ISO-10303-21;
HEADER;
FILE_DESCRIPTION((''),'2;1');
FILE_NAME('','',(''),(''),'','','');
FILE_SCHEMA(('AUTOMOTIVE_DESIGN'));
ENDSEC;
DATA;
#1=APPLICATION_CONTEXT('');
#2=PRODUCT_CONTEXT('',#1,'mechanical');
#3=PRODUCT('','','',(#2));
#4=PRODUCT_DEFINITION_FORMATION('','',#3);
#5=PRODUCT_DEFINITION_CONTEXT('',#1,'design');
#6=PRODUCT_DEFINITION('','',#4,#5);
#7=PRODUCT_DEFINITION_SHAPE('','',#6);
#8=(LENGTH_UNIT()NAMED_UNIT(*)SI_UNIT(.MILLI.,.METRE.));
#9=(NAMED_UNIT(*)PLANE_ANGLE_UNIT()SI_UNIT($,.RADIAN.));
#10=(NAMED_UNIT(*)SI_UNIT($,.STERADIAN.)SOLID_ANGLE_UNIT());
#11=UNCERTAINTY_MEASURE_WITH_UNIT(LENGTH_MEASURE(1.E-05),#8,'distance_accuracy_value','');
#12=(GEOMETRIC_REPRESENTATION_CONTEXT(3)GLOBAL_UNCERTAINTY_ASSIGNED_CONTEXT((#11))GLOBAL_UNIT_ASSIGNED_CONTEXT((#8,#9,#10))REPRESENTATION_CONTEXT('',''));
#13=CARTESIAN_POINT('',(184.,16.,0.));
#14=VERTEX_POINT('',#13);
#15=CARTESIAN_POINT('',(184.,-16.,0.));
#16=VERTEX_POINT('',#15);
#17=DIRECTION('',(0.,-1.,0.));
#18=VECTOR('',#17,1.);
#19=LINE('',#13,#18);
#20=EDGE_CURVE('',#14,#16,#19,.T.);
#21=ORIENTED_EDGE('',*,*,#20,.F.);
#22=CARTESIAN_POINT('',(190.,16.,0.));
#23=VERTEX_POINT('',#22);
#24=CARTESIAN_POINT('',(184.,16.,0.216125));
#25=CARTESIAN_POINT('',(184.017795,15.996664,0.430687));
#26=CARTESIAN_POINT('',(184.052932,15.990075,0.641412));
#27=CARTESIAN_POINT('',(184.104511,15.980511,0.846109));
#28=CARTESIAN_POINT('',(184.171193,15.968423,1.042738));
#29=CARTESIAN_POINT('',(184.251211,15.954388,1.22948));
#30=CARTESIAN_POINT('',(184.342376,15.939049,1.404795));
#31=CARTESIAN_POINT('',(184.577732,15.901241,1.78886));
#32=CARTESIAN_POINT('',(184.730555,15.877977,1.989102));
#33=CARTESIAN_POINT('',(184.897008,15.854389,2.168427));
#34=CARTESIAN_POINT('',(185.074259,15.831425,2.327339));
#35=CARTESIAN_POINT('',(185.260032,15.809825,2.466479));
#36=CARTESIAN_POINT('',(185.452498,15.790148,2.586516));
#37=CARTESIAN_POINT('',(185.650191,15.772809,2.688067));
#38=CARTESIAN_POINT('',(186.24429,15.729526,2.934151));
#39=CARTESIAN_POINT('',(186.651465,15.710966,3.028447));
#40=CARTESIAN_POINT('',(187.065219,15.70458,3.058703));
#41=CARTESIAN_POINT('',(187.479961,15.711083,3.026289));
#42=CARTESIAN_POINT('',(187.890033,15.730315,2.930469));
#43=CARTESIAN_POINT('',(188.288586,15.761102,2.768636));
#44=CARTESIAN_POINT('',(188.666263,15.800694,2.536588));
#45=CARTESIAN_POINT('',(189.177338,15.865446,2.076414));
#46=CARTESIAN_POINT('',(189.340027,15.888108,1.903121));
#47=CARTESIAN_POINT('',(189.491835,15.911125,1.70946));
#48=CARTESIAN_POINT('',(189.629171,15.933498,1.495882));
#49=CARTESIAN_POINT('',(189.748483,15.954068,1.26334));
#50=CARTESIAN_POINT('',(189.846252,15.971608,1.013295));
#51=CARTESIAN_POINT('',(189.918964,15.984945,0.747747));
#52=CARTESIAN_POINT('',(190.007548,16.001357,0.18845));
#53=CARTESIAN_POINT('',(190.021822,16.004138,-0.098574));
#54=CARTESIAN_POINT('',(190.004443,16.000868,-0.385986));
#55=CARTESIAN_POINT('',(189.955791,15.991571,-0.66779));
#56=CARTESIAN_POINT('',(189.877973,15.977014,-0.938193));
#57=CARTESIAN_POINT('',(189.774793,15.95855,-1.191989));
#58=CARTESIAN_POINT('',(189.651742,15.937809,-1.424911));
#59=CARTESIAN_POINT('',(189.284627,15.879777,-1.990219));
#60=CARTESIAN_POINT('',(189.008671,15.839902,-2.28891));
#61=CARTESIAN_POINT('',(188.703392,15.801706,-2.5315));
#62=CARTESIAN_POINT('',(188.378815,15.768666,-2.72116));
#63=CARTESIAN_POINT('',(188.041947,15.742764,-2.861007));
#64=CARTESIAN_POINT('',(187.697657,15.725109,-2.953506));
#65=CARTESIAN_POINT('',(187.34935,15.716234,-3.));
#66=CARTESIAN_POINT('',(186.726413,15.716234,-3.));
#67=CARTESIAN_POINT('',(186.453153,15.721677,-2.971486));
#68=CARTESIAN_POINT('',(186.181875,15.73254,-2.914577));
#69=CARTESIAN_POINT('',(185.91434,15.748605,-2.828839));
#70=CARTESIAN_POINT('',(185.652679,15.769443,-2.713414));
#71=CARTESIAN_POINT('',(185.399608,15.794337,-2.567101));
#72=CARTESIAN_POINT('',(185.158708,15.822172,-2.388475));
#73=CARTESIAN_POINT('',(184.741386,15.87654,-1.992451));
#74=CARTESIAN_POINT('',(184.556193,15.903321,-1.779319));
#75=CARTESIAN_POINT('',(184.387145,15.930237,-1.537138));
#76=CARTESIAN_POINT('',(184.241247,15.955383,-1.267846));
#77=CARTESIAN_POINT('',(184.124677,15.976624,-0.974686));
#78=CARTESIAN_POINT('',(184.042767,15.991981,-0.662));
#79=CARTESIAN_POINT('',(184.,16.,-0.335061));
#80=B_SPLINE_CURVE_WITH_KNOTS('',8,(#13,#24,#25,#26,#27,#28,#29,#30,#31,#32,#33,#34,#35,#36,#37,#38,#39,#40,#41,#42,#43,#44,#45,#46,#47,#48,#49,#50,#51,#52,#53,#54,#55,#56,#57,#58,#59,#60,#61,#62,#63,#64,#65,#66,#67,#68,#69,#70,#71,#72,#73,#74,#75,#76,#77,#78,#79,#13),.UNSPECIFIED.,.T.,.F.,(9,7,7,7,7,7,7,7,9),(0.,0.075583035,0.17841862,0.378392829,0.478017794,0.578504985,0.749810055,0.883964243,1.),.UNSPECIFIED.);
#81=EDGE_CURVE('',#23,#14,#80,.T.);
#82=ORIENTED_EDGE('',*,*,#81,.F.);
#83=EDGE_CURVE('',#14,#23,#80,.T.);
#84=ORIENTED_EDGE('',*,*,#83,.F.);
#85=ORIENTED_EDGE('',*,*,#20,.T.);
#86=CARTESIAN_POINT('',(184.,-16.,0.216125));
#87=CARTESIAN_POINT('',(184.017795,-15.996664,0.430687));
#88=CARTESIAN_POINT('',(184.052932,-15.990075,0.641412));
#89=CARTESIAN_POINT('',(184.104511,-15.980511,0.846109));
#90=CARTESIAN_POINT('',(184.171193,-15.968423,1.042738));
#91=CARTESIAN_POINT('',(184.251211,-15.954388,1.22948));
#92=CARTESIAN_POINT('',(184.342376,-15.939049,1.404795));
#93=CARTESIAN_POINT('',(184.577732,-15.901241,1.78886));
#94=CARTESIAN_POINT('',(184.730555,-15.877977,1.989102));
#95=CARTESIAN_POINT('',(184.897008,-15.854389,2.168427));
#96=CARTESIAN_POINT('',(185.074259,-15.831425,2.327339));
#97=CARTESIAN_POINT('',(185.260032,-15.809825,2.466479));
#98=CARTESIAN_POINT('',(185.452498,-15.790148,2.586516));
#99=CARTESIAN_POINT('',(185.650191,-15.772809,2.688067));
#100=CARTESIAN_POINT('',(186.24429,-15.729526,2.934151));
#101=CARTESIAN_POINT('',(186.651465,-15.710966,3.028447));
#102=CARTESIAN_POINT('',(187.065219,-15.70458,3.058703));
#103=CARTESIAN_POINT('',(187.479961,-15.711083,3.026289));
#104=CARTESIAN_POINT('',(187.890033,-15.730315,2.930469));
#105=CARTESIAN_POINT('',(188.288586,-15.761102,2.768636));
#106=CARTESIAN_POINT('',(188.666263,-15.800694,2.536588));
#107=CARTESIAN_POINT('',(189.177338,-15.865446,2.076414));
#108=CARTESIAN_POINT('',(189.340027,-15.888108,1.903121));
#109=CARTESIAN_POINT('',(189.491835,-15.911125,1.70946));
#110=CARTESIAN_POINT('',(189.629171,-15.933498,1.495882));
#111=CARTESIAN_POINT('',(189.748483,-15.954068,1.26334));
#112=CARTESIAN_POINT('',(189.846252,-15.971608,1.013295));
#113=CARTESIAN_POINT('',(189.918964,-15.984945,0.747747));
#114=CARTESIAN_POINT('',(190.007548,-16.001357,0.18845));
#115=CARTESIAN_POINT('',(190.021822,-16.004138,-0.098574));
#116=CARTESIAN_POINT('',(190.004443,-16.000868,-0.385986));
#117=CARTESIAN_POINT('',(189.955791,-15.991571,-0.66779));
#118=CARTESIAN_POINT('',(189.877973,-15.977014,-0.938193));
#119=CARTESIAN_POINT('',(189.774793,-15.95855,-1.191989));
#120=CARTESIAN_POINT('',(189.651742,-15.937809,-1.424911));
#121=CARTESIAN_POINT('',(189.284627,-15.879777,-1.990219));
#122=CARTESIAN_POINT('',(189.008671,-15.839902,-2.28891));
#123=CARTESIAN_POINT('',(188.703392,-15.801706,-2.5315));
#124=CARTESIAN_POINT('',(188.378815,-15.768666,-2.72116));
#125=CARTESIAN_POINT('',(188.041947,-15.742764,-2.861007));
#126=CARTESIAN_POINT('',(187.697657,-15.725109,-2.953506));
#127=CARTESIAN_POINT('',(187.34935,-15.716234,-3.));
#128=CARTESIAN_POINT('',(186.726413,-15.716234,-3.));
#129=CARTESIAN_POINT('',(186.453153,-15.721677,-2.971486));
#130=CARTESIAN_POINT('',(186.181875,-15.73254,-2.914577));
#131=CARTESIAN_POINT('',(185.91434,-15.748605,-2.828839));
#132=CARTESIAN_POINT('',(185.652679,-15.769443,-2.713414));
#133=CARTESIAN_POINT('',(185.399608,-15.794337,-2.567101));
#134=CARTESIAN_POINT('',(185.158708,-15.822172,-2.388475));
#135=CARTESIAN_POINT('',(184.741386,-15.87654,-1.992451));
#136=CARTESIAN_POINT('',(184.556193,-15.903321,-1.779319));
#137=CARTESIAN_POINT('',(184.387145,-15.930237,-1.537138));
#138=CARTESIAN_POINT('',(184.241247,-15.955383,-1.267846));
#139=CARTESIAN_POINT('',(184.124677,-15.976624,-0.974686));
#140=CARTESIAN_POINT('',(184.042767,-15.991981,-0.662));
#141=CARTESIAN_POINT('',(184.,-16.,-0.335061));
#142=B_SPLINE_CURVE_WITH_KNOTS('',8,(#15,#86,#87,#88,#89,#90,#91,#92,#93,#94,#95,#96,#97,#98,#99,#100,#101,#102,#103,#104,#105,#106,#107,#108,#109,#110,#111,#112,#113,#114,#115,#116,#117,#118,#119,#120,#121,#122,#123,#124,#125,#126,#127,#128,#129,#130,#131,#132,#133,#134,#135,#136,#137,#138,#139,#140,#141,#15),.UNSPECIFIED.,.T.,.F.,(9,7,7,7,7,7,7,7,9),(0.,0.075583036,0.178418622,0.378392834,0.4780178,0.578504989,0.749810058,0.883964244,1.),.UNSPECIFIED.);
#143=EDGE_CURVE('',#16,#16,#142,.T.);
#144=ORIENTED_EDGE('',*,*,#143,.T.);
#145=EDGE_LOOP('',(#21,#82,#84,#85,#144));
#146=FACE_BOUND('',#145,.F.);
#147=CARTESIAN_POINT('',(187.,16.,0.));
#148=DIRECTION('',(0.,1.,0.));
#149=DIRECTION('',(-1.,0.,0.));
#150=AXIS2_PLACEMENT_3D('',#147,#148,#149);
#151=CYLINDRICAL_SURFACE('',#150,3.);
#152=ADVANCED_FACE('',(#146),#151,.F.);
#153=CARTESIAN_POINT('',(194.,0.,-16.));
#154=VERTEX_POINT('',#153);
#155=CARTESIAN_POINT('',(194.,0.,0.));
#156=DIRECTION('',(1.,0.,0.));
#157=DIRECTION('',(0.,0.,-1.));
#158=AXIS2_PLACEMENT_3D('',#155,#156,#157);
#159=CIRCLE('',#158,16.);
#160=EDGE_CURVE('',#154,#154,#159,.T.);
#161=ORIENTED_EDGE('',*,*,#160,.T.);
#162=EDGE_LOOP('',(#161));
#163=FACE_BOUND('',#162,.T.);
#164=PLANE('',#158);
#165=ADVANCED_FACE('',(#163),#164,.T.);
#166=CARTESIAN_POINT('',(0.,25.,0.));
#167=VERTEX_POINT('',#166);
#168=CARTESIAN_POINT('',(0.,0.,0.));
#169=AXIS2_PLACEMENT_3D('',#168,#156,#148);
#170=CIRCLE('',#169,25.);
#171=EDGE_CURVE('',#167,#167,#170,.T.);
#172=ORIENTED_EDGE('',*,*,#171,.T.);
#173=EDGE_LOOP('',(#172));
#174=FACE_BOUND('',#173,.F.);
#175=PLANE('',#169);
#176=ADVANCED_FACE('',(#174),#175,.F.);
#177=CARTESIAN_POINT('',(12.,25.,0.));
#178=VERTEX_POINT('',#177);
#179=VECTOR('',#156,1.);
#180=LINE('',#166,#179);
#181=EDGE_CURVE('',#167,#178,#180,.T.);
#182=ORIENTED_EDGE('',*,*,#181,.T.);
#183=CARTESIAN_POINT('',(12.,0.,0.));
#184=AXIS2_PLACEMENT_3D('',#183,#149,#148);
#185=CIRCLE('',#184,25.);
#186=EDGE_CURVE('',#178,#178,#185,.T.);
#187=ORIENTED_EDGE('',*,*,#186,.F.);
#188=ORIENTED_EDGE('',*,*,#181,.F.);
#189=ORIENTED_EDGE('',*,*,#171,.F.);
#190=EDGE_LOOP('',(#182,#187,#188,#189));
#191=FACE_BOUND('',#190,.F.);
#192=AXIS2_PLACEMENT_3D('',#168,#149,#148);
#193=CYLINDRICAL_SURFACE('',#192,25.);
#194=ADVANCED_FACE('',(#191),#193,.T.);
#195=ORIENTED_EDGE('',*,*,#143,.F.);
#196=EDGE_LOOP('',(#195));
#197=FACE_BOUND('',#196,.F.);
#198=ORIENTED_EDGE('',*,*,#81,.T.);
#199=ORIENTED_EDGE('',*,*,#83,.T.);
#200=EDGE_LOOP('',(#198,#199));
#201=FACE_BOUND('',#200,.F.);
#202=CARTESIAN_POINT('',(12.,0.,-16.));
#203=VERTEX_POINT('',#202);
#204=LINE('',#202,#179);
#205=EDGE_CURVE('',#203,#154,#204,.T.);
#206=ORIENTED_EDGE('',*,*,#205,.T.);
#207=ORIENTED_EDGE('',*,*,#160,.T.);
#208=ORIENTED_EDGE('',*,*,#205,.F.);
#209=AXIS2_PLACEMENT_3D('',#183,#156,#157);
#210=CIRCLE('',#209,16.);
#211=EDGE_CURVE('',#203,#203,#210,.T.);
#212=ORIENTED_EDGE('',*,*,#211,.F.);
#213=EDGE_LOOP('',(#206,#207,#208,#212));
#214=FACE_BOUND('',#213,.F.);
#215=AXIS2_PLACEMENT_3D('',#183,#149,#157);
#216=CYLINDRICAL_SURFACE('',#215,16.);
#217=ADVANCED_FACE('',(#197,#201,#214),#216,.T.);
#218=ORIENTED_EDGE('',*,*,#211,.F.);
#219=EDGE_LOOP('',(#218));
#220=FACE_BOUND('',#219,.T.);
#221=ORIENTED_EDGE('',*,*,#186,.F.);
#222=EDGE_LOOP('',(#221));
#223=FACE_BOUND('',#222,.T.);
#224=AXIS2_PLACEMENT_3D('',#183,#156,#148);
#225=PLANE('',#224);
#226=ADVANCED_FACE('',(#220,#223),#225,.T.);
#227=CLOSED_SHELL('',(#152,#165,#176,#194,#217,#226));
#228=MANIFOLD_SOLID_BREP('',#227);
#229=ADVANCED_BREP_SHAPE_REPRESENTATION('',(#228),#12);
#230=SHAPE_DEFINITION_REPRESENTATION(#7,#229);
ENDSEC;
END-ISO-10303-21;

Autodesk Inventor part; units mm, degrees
ref_plane "YZ Plane" through (0, 0, 0) normal (1, 0, 0) x (0, 1, 0)
ref_plane "XY Plane" through (0, 0, 0) normal (0, 0, 1) x (1, 0, 0)
sketch "Sketch1" plane through (0, 0, 0) normal (1, 0, 0) x (0, 1, 0)
  line L0 (0, 35) -> (0, -35) projected
  line L1 (-35, 0) -> (35, 0) projected
  circle A0 centre (0, 0) radius 25
  dimension "d0" = 50
extrude "Extrusion1" add sketch "Sketch1" along normal blind 12
sketch "Sketch2" plane through (12, 0, 0) normal (1, 0, 0) x (0, 0, -1)
  circle A0 centre (0, 0) radius 16
  dimension "d3" = 32
extrude "Extrusion2" add sketch "Sketch2" along normal blind 182
ref_plane "Work Plane1" through (0, 16, 0) normal (0, 1, 0) x (-1, 0, 0)
sketch "Sketch3" plane through (0, 16, 0) normal (0, 1, 0) x (-1, 0, 0)
  circle A0 centre (-187, 0) radius 3
  point P0 (0, 0)
  dimension "d7" = 6
extrude "Extrusion3" cut sketch "Sketch3" against normal through all
properties part number "Pin" material "Stainless Steel"
